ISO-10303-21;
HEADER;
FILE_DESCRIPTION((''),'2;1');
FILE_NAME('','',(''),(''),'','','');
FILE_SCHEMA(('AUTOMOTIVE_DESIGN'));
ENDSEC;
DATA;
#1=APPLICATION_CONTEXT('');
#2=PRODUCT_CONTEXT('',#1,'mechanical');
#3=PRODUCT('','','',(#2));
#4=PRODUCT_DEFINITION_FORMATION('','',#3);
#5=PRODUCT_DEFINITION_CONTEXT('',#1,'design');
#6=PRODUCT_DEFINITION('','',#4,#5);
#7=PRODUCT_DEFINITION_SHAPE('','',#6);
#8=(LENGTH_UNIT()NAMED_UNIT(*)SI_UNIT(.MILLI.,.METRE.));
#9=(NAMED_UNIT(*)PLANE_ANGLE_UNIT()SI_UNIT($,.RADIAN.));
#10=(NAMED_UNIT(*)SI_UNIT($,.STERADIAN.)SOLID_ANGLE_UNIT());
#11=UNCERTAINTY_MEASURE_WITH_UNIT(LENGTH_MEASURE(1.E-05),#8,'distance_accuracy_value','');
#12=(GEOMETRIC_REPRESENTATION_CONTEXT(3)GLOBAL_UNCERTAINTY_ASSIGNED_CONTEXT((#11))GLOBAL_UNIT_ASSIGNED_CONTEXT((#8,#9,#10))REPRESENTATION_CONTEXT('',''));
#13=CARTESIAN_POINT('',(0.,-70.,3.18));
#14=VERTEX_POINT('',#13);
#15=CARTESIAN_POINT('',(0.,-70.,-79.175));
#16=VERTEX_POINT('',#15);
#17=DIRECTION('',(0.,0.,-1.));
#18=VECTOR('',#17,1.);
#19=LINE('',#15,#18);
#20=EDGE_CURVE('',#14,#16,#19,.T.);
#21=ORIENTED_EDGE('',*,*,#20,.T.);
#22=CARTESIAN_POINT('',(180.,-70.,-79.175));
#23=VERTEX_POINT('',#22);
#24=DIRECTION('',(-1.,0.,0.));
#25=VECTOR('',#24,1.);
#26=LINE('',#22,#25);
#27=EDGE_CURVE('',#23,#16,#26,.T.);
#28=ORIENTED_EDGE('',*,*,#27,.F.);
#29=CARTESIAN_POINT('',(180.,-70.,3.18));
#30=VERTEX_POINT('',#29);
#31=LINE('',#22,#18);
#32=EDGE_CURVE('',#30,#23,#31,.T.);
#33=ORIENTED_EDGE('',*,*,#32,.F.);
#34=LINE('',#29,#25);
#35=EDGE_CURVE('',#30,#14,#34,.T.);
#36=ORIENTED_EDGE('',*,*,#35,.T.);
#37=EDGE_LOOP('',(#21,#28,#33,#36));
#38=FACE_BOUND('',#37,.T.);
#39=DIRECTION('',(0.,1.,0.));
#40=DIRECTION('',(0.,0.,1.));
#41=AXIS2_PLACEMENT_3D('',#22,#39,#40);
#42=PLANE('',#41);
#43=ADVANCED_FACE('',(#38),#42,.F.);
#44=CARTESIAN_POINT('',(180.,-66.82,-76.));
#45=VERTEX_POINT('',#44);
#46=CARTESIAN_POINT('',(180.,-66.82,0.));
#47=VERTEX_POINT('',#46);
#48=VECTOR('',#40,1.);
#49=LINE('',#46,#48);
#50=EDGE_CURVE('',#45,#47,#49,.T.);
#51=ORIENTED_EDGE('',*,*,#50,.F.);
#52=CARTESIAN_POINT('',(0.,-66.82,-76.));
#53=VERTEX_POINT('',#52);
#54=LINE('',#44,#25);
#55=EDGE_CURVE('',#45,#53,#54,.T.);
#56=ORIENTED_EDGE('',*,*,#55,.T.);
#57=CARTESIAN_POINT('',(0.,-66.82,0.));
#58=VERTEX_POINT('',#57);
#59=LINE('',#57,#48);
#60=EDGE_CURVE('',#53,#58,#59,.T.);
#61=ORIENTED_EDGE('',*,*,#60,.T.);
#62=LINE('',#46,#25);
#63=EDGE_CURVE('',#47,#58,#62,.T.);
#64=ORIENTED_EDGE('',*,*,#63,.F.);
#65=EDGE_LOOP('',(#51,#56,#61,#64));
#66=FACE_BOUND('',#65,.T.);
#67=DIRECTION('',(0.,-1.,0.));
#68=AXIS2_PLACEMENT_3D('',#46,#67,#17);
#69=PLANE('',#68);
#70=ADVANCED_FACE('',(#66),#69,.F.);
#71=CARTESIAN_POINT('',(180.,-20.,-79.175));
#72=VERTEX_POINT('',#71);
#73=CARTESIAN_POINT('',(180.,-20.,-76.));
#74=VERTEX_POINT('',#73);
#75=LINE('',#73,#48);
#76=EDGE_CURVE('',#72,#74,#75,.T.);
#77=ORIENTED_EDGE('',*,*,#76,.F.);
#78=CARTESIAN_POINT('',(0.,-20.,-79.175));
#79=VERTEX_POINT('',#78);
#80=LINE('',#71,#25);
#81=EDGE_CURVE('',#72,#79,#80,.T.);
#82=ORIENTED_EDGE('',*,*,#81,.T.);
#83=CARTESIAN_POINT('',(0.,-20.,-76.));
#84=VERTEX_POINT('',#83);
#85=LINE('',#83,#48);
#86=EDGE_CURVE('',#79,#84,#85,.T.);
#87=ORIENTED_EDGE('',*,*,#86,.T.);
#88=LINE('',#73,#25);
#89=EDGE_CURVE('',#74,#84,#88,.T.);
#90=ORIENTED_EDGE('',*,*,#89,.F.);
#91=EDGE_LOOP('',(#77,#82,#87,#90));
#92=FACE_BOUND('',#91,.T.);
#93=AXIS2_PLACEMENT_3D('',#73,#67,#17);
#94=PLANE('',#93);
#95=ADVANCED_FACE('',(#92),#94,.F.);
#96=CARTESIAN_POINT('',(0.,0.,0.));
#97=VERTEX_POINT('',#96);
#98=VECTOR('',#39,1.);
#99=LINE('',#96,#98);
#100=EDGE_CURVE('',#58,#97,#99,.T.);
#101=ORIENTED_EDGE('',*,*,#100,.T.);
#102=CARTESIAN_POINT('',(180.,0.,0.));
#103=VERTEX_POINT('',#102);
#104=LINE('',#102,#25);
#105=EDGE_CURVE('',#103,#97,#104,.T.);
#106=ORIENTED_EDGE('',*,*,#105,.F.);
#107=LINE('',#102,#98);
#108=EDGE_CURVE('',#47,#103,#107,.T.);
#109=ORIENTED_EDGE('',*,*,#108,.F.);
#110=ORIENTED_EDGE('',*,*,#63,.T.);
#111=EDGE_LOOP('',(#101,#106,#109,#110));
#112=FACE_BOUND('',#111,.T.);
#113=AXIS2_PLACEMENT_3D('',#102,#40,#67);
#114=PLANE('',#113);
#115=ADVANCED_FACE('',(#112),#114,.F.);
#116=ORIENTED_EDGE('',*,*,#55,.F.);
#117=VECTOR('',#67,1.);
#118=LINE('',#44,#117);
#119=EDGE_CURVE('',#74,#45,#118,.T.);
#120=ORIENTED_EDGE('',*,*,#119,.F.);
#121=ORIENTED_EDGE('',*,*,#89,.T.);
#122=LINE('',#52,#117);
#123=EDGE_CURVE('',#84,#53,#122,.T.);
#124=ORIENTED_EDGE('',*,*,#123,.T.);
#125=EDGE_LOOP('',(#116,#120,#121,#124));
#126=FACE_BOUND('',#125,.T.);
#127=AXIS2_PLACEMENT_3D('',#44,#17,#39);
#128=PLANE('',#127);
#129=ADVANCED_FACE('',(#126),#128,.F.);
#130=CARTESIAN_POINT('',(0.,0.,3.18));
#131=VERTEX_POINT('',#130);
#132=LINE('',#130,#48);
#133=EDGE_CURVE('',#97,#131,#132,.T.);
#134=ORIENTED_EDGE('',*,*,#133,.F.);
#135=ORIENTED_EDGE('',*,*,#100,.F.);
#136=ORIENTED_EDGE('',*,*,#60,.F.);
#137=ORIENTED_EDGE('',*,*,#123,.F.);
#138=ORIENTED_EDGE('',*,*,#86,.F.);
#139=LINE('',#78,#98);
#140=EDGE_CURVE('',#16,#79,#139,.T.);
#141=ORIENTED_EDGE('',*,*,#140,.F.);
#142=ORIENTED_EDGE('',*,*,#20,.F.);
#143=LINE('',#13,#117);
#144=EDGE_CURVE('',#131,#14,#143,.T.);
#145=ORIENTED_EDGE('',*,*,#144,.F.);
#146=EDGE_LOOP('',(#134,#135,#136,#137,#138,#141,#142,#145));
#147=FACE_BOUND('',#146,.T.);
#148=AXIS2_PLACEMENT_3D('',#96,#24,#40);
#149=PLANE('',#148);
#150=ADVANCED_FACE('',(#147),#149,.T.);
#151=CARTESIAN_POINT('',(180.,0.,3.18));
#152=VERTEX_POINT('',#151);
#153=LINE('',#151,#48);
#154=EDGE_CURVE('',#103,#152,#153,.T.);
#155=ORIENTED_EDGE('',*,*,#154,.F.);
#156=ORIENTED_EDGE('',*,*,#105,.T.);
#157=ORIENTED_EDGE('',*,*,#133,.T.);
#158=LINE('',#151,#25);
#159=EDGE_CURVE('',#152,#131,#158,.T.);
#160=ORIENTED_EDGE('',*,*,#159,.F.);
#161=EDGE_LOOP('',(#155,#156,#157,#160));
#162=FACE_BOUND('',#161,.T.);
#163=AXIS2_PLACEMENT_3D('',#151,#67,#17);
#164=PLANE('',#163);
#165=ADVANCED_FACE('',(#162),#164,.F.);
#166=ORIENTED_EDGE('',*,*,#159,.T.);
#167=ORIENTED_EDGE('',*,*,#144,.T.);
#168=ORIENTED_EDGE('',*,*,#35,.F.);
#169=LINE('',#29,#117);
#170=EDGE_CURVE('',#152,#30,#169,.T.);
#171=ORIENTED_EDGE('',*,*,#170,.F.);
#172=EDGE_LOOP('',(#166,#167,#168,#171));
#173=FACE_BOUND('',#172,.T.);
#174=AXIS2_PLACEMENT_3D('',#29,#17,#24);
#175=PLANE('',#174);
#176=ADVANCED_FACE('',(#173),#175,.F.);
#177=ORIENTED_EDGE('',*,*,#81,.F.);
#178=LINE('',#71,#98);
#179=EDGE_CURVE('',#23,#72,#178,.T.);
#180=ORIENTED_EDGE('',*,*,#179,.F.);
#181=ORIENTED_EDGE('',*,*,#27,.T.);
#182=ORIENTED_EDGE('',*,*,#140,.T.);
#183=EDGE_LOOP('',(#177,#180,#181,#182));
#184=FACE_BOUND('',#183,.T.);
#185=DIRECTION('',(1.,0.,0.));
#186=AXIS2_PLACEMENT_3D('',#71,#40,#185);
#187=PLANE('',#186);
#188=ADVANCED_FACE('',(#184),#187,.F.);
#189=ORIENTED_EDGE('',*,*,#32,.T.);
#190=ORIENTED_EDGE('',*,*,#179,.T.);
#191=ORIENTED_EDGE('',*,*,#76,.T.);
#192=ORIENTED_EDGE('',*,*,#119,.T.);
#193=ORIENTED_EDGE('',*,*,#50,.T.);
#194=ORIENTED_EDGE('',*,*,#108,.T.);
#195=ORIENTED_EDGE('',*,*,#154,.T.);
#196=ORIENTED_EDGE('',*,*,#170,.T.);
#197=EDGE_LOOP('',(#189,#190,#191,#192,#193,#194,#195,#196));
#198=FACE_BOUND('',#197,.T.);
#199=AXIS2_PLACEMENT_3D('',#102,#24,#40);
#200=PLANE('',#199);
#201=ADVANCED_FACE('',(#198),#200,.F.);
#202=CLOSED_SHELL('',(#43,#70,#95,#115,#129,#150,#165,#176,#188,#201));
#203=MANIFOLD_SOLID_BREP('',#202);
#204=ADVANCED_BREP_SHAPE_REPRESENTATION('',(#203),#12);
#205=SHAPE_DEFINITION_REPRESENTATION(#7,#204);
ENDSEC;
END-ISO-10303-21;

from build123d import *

# Parameters (mm, degrees)
BOSS_EXTRUDE1_DEPTH = 180


with BuildPart() as part:
    # Sketch1 → Boss-Extrude1 (new body)
    with BuildSketch(Plane(origin=(0, 0, 0), x_dir=(0, 0, -1), z_dir=(1, 0, 0))):
        Polygon((0, 0), (0, -66.82), (76, -66.82), (76, -20), (79.175, -20), (79.175, -70), (-3.18, -70), (-3.18, 0), align=None)
    extrude(amount=BOSS_EXTRUDE1_DEPTH)


solid = part.part
